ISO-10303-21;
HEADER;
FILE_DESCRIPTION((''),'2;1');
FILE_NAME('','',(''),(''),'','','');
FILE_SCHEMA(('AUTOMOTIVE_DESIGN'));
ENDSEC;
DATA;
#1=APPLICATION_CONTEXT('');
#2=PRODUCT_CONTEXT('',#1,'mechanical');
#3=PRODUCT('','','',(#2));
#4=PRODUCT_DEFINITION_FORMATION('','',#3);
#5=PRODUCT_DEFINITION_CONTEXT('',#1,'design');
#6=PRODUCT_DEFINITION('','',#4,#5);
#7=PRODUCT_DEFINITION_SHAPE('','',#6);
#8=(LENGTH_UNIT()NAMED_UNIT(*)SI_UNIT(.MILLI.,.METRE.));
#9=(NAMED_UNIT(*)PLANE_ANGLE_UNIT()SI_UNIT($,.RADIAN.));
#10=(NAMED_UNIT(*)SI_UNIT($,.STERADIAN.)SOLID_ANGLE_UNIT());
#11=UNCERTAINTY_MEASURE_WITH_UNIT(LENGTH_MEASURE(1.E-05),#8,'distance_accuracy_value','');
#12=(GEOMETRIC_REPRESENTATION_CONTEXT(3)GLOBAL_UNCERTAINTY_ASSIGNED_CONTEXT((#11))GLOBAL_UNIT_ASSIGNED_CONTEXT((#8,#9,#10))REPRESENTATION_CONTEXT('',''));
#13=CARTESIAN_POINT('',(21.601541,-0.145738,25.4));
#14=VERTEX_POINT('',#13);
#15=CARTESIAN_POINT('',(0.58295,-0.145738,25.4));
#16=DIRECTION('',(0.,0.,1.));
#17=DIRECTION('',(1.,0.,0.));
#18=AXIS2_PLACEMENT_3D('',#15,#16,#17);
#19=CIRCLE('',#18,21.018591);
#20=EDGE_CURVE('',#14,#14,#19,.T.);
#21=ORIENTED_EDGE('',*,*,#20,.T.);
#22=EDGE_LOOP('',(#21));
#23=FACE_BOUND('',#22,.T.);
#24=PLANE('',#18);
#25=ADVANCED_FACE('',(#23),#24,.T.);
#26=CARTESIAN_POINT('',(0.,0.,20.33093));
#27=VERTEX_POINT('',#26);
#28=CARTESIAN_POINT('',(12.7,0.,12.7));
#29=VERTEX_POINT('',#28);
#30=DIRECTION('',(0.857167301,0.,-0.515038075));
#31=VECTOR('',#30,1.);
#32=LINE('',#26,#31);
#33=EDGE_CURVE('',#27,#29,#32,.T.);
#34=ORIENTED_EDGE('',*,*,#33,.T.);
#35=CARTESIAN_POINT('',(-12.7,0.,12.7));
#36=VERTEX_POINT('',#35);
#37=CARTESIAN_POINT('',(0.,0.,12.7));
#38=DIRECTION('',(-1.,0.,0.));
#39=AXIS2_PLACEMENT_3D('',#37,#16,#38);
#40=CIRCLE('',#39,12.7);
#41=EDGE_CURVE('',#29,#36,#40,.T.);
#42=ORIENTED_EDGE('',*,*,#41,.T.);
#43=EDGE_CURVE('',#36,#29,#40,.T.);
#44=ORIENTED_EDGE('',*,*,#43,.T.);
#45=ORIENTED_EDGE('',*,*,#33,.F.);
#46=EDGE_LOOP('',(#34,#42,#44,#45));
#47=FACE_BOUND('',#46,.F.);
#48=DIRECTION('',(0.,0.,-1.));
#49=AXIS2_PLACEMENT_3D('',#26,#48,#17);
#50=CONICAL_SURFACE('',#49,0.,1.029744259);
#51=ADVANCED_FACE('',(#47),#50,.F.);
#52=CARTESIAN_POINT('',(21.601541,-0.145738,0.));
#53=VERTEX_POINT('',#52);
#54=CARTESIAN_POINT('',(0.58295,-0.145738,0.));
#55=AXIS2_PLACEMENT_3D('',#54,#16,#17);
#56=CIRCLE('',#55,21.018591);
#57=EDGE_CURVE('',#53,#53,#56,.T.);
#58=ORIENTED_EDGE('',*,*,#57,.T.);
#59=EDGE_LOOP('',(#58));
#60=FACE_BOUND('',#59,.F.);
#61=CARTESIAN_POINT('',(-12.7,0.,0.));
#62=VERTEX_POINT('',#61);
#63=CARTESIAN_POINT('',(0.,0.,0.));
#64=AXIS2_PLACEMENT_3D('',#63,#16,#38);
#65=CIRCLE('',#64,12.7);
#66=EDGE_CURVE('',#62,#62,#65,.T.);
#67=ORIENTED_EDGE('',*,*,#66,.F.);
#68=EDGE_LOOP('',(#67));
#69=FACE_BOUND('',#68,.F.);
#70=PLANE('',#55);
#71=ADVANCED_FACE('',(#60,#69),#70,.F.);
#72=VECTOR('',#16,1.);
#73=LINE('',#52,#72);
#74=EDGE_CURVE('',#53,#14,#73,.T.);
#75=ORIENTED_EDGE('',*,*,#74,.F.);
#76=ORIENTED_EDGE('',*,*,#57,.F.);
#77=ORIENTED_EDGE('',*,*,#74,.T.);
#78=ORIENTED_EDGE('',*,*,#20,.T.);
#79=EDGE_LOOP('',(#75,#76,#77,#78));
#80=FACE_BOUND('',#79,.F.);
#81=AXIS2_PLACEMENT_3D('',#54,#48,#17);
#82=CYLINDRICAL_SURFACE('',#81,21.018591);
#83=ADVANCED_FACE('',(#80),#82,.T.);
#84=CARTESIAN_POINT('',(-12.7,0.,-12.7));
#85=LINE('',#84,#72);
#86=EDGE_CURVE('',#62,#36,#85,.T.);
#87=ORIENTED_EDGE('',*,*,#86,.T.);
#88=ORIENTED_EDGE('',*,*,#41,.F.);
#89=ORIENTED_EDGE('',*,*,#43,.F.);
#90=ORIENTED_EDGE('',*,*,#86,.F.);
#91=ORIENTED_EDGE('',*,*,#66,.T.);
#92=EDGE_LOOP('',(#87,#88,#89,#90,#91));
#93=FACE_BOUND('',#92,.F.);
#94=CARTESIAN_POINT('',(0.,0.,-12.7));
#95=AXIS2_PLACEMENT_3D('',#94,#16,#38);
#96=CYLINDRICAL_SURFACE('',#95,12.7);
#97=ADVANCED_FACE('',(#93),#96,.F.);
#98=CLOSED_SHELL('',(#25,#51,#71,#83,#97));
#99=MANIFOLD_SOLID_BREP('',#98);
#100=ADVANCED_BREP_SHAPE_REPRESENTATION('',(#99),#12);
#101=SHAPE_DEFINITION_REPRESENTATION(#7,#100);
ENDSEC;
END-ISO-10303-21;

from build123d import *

# Parameters (mm, degrees)
F0_R     = 21.018590953
F1_DEPTH = 25.4
F3_D     = 25.4
F3_DEPTH = 12.7
F3_TIP   = 7.6309298617


with BuildPart() as f1:
    # F0 (on Top) → F1 (new body)
    with BuildSketch(Plane.XY):
        with Locations((0.5829496658, -0.1457377075)):
            Circle(F0_R)
    extrude(amount=F1_DEPTH)

    # F3
    with Locations(Plane(origin=(0, 0, 0), x_dir=(1, 0, 0), z_dir=(0, 0, -1))):
        with Locations((0, 0)):
            Hole(F3_D / 2, depth=F3_DEPTH)
            with Locations((0, 0, -(F3_DEPTH + F3_TIP / 2))):  # 118° drill point
                Cone(0, F3_D / 2, F3_TIP, mode=Mode.SUBTRACT)


solid = f1.part
